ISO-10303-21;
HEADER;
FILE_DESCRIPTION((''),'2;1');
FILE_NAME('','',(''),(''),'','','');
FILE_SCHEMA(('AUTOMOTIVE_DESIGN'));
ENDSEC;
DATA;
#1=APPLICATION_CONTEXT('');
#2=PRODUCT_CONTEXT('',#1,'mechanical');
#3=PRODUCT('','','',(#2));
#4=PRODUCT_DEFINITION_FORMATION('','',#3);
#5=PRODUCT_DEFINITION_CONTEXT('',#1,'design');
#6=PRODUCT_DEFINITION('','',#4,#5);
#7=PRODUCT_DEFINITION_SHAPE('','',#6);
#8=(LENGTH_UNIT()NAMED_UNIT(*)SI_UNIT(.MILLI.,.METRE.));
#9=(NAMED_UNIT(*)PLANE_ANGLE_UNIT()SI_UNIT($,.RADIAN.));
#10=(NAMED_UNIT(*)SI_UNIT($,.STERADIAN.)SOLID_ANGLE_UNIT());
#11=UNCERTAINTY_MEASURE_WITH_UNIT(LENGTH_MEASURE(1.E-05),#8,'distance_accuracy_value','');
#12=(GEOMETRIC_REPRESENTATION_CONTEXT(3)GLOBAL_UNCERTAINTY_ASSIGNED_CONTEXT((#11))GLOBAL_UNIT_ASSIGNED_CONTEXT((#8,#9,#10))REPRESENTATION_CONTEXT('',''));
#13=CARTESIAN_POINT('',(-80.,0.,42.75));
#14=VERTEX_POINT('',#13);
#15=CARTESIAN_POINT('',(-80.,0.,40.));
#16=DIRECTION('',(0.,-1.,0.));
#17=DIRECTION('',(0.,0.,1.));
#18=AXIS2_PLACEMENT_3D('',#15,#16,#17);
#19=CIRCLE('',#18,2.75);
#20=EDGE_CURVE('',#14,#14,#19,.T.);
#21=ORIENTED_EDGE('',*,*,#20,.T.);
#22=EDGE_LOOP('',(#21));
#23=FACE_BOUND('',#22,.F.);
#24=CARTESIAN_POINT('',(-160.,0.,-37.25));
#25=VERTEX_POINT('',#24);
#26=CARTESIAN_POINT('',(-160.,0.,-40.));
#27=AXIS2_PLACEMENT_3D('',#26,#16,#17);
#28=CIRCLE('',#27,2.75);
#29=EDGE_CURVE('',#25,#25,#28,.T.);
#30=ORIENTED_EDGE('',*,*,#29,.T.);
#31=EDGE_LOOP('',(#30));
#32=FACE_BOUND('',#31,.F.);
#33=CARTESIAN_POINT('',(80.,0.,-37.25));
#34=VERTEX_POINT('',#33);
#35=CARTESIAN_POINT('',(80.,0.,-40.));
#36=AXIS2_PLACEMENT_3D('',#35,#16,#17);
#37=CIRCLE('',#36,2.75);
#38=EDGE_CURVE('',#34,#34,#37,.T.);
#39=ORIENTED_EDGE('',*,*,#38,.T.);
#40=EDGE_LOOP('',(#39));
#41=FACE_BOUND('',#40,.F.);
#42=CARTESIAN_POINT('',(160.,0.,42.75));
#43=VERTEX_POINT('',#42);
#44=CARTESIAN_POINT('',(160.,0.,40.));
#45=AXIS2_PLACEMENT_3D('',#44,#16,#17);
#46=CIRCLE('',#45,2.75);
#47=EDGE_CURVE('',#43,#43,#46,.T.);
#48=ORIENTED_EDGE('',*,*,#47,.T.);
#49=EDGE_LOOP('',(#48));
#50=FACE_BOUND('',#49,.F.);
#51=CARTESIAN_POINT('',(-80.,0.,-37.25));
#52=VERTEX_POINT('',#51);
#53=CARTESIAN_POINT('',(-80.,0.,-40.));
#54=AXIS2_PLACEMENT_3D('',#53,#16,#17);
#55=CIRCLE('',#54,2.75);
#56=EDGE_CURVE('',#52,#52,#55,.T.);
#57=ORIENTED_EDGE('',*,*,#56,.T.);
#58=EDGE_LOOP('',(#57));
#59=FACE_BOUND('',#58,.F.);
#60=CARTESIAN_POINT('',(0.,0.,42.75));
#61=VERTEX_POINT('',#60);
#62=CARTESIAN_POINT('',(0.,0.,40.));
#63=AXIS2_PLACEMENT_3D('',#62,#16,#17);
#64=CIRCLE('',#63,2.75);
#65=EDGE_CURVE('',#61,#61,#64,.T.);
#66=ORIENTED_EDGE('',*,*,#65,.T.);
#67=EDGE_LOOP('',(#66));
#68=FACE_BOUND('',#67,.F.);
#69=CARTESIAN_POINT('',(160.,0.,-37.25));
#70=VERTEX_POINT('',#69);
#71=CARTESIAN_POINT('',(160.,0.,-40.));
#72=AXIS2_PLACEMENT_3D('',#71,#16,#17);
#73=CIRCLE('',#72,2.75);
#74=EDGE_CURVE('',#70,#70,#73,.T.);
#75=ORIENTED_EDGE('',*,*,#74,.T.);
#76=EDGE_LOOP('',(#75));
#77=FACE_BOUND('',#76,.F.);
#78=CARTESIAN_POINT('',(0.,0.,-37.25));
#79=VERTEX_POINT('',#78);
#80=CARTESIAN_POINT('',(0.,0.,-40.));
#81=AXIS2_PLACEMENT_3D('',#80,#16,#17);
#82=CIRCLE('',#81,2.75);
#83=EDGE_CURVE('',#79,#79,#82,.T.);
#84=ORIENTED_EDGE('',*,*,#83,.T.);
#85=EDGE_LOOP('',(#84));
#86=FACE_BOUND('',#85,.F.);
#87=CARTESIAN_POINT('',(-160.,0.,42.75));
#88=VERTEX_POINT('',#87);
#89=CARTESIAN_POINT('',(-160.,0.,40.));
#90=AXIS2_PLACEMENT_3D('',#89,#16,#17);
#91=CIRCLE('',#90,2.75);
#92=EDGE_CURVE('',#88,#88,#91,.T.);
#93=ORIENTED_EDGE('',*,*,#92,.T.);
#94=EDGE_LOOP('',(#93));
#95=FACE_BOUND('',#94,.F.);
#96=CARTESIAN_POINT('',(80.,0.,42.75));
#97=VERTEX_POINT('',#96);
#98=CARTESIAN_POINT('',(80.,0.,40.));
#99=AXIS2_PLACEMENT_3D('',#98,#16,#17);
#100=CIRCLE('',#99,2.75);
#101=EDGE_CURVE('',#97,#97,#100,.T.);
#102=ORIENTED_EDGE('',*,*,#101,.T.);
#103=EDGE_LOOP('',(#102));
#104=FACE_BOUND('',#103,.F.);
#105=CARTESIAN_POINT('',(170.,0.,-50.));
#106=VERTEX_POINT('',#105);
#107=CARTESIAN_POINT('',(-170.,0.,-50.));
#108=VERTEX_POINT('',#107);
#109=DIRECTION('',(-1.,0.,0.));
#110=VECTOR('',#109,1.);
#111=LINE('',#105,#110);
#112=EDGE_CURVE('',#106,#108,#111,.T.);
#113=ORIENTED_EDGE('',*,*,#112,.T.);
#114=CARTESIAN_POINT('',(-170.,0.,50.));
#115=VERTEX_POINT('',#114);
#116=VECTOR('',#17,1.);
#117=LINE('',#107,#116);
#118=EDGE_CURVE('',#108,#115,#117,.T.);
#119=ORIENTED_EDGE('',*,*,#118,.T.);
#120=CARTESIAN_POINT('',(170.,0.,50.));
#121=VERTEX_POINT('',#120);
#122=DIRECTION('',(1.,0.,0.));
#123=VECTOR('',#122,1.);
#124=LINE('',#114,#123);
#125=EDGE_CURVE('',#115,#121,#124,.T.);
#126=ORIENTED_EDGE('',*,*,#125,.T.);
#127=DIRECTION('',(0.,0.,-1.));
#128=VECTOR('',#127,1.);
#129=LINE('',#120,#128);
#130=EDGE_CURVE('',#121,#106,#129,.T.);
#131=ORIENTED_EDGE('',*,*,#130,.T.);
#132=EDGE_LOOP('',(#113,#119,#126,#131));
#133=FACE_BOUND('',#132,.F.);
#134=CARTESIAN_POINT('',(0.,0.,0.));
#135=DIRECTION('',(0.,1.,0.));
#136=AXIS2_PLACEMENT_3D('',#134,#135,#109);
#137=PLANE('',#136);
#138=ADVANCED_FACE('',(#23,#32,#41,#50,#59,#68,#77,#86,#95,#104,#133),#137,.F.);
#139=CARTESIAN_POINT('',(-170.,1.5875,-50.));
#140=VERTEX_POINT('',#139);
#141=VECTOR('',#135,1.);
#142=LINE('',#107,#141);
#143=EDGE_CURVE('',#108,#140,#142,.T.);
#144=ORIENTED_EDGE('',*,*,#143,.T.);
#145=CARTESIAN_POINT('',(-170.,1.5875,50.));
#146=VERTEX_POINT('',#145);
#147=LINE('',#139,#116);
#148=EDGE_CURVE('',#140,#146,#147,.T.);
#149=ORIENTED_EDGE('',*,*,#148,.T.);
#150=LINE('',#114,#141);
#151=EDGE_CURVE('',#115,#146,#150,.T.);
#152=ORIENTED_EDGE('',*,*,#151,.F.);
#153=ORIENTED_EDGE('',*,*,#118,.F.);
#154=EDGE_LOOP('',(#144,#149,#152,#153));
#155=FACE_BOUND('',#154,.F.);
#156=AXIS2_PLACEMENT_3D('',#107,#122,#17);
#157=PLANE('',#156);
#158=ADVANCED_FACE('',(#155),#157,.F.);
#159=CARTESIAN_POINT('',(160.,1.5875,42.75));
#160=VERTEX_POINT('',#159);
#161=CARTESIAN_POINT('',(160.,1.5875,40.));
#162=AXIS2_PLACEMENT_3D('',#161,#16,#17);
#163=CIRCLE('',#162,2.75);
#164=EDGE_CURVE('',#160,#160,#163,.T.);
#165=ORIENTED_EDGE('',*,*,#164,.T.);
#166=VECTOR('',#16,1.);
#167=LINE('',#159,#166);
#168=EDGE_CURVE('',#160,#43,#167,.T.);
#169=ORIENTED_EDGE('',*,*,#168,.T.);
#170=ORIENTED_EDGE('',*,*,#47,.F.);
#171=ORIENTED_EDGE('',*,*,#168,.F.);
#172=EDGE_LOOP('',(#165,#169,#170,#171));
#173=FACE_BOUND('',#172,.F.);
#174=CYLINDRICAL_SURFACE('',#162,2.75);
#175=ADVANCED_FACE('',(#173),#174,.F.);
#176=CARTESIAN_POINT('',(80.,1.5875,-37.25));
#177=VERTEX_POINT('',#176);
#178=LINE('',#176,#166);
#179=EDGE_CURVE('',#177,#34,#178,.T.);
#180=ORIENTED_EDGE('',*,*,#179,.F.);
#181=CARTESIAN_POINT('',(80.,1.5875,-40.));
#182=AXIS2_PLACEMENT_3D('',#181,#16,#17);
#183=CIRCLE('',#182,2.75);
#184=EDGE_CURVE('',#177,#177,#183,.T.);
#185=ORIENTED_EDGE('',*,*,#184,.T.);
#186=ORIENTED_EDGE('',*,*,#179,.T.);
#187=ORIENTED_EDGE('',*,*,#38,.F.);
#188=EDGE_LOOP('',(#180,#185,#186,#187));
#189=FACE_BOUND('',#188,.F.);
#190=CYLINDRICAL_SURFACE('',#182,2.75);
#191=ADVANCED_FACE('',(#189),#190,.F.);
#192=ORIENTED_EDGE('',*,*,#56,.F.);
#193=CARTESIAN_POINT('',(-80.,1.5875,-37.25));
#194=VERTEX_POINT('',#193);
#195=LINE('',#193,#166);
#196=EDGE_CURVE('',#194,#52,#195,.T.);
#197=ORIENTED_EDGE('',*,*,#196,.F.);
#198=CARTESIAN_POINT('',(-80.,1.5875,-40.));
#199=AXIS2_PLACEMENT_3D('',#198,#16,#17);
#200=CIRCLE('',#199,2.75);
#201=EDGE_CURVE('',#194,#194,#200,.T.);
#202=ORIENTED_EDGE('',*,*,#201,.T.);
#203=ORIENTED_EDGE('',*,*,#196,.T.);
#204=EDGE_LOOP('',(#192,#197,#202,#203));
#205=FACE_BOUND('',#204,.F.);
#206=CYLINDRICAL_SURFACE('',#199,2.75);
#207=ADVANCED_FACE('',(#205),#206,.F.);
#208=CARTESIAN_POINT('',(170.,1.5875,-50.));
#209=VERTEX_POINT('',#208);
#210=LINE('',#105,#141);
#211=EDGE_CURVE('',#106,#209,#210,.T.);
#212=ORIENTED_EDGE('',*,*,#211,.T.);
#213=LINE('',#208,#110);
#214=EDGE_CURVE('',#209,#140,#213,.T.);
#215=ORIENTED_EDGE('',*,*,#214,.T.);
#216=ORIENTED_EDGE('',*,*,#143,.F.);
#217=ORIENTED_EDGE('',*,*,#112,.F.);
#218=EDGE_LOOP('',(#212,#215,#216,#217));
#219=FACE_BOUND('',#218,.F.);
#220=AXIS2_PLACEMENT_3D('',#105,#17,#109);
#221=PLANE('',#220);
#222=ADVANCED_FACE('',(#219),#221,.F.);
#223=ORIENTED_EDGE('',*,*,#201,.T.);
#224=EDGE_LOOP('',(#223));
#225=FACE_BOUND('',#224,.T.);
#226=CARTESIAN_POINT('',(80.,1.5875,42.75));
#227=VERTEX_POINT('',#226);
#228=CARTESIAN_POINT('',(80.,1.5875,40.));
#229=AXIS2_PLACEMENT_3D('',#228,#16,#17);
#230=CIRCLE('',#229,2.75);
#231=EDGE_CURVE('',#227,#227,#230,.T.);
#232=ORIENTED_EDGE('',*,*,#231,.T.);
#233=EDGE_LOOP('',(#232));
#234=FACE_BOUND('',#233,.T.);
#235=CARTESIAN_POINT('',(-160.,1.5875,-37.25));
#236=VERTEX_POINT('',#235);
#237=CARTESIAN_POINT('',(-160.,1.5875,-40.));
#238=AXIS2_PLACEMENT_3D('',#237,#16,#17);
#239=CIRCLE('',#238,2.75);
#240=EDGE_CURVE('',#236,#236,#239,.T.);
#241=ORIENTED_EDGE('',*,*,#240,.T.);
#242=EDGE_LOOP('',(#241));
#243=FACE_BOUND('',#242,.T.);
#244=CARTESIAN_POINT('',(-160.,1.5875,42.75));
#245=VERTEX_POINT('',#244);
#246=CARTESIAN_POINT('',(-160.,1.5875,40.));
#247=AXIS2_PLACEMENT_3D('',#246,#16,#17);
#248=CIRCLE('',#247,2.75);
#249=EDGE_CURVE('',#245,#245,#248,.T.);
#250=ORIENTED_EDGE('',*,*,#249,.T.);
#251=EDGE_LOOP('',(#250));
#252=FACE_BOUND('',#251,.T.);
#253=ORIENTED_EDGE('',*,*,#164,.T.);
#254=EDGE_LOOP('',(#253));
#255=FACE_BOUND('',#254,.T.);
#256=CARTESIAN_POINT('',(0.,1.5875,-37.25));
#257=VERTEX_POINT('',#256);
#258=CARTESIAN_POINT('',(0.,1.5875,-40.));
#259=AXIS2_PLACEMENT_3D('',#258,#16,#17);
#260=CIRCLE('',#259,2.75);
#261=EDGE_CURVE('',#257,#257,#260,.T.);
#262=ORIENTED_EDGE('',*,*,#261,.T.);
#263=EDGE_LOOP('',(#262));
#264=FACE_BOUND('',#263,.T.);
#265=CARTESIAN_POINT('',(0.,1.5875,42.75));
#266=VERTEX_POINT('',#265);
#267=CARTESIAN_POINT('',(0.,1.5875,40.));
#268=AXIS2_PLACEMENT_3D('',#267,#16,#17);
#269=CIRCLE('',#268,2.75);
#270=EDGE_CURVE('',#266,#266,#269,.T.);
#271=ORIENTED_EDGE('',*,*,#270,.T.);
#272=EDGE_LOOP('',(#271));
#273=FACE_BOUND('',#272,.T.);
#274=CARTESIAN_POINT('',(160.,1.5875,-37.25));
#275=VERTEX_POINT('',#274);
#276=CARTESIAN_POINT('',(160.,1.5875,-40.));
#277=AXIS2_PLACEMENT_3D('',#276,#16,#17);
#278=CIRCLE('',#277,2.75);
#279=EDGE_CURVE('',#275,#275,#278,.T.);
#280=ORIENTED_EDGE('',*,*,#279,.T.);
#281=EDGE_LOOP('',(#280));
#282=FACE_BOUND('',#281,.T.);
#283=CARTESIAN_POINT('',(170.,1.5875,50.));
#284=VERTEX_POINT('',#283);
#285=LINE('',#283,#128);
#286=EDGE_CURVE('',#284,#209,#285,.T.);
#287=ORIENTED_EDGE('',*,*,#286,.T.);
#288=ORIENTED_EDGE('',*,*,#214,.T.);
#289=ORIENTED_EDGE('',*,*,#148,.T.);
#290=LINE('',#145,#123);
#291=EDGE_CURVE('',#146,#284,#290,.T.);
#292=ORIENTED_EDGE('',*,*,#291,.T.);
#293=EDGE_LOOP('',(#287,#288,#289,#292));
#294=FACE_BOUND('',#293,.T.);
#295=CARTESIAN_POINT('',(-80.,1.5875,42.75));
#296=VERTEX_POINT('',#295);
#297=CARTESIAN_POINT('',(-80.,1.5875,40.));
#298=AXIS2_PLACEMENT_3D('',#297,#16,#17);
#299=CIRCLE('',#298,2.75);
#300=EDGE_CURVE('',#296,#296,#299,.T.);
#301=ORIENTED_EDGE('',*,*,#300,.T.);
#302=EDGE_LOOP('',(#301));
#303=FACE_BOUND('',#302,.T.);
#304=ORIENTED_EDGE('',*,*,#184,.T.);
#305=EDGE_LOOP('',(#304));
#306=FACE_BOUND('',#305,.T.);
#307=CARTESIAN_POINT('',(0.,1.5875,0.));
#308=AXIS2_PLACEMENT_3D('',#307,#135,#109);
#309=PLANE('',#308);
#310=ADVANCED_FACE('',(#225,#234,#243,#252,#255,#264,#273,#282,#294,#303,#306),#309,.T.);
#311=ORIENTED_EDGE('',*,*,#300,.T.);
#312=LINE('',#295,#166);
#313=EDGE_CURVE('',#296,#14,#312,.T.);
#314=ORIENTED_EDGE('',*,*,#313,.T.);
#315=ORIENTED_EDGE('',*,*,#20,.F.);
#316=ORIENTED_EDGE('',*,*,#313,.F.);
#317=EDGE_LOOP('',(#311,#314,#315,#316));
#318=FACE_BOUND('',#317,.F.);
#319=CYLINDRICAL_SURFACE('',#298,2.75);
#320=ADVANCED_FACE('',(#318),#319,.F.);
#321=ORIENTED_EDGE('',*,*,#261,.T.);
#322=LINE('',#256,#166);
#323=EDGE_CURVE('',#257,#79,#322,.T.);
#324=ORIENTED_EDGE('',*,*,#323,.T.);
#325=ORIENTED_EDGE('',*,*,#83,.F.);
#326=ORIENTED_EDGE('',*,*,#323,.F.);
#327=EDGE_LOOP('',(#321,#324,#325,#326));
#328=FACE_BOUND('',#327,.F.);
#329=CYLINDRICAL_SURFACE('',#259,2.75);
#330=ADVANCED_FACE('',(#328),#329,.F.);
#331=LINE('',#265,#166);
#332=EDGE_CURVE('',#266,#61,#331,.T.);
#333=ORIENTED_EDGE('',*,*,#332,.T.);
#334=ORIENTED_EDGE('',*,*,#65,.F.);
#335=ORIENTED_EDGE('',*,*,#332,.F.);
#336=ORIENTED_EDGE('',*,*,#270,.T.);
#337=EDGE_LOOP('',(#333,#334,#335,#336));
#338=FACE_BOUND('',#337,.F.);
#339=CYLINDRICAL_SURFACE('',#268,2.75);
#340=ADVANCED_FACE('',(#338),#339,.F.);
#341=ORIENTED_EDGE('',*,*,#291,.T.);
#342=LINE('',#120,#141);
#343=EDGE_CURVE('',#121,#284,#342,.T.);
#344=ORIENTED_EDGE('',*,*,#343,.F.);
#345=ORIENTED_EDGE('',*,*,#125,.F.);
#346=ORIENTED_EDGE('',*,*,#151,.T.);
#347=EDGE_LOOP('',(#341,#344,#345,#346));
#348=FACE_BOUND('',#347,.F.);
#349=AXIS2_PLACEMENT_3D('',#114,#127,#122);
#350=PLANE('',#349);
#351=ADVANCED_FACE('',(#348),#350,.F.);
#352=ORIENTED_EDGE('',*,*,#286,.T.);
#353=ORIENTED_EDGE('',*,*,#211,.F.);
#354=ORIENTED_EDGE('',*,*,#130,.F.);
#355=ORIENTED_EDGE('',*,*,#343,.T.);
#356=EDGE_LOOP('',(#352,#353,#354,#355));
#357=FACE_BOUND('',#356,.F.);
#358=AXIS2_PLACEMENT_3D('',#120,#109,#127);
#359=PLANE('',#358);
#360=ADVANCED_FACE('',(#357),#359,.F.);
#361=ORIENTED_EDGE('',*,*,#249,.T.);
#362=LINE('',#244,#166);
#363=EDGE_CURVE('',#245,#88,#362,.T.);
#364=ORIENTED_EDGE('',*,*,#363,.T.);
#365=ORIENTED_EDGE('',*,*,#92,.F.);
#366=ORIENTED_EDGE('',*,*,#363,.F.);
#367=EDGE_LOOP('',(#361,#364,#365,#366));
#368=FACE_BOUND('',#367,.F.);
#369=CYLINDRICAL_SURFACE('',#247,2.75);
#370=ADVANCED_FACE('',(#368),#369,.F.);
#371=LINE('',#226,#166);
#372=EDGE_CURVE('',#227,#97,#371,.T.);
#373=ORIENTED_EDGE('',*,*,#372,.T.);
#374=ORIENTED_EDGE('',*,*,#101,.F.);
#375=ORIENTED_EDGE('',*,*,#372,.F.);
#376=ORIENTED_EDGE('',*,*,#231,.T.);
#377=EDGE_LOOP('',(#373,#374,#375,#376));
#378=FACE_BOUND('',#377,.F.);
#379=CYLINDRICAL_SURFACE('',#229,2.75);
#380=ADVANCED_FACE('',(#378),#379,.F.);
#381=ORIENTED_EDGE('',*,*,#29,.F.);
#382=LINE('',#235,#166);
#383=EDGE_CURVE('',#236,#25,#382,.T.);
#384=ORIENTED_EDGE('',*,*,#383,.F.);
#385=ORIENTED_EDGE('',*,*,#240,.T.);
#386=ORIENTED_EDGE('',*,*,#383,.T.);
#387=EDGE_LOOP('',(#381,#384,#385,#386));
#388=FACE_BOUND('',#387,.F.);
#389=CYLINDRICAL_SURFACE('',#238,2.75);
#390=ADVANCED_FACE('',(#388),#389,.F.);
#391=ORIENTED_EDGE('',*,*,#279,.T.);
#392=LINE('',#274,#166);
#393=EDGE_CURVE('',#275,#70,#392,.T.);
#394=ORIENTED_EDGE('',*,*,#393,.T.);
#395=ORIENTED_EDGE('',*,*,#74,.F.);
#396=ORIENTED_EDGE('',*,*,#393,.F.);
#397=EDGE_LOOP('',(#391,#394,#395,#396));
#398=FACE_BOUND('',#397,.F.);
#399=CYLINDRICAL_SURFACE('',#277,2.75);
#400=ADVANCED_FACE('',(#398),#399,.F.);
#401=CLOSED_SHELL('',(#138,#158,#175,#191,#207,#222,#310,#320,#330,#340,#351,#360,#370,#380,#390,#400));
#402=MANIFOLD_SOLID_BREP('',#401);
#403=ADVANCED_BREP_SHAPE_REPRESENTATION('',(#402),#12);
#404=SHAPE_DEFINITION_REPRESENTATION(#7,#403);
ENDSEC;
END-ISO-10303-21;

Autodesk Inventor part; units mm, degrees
ref_plane "YZ Plane" through (0, 0, 0) normal (1, 0, 0) x (0, 1, 0)
ref_plane "XZ Plane" through (0, 0, 0) normal (0, 1, 0) x (-1, 0, 0)
ref_plane "XY Plane" through (0, 0, 0) normal (0, 0, 1) x (1, 0, 0)
sketch "Sketch1" plane through (0, 0, 0) normal (0, 1, 0) x (-1, 0, 0)
  line L0 (170, 50) -> (-170, 50)
  line L1 (-170, 50) -> (-170, -50)
  line L2 (-170, -50) -> (170, -50)
  line L3 (170, -50) -> (170, 50)
  line L4 (170, 50) -> (-170, -50) construction
  line L5 (-170, 50) -> (170, -50) construction
  point P0 (0, 0)
  dimension "d0" = 340
  dimension "d1" = 100
extrude "Extrusion1" add sketch "Sketch1" along normal blind 1.5875
sketch "Sketch2" plane through (0, 1.5875, 0) normal (0, 1, 0) x (1, 0, 0)
  line L0 (-170, -50) -> (170, -50) projected
  line L1 (170, -50) -> (170, 50) projected
  line L2 (170, 50) -> (-170, 50) projected
  line L3 (-170, 50) -> (-170, -50) projected
  point P0 (0, 0)
  point P1 (-160, -40)
  dimension "d4" = 10
  dimension "d5" = 10
hole "Hole1" at (-160, 1.5875, 40) direction (0, -1, 0) diameter 5.5 end through all clearance for "Hex Head Bolt" size "M5" standard "Ansi Metric M Profile"
pattern_linear "Rectangular Pattern1" count 2 spacing 80 along (0, 0, -1) count 5 spacing 80 along (1, 0, 0) of "Hole1"
equation "\"d1\" = depth"
equation "\"d2\" = facingGasketThickness"
equation "\"mppcMountThickness\" = 6.35"
equation "\"depth\" = 100"
equation "\"facingThickness\" = 12.7"
equation "\"facingGasketThickness\" = 1.5875"
properties part number "sideGasket" material "Rubber"
